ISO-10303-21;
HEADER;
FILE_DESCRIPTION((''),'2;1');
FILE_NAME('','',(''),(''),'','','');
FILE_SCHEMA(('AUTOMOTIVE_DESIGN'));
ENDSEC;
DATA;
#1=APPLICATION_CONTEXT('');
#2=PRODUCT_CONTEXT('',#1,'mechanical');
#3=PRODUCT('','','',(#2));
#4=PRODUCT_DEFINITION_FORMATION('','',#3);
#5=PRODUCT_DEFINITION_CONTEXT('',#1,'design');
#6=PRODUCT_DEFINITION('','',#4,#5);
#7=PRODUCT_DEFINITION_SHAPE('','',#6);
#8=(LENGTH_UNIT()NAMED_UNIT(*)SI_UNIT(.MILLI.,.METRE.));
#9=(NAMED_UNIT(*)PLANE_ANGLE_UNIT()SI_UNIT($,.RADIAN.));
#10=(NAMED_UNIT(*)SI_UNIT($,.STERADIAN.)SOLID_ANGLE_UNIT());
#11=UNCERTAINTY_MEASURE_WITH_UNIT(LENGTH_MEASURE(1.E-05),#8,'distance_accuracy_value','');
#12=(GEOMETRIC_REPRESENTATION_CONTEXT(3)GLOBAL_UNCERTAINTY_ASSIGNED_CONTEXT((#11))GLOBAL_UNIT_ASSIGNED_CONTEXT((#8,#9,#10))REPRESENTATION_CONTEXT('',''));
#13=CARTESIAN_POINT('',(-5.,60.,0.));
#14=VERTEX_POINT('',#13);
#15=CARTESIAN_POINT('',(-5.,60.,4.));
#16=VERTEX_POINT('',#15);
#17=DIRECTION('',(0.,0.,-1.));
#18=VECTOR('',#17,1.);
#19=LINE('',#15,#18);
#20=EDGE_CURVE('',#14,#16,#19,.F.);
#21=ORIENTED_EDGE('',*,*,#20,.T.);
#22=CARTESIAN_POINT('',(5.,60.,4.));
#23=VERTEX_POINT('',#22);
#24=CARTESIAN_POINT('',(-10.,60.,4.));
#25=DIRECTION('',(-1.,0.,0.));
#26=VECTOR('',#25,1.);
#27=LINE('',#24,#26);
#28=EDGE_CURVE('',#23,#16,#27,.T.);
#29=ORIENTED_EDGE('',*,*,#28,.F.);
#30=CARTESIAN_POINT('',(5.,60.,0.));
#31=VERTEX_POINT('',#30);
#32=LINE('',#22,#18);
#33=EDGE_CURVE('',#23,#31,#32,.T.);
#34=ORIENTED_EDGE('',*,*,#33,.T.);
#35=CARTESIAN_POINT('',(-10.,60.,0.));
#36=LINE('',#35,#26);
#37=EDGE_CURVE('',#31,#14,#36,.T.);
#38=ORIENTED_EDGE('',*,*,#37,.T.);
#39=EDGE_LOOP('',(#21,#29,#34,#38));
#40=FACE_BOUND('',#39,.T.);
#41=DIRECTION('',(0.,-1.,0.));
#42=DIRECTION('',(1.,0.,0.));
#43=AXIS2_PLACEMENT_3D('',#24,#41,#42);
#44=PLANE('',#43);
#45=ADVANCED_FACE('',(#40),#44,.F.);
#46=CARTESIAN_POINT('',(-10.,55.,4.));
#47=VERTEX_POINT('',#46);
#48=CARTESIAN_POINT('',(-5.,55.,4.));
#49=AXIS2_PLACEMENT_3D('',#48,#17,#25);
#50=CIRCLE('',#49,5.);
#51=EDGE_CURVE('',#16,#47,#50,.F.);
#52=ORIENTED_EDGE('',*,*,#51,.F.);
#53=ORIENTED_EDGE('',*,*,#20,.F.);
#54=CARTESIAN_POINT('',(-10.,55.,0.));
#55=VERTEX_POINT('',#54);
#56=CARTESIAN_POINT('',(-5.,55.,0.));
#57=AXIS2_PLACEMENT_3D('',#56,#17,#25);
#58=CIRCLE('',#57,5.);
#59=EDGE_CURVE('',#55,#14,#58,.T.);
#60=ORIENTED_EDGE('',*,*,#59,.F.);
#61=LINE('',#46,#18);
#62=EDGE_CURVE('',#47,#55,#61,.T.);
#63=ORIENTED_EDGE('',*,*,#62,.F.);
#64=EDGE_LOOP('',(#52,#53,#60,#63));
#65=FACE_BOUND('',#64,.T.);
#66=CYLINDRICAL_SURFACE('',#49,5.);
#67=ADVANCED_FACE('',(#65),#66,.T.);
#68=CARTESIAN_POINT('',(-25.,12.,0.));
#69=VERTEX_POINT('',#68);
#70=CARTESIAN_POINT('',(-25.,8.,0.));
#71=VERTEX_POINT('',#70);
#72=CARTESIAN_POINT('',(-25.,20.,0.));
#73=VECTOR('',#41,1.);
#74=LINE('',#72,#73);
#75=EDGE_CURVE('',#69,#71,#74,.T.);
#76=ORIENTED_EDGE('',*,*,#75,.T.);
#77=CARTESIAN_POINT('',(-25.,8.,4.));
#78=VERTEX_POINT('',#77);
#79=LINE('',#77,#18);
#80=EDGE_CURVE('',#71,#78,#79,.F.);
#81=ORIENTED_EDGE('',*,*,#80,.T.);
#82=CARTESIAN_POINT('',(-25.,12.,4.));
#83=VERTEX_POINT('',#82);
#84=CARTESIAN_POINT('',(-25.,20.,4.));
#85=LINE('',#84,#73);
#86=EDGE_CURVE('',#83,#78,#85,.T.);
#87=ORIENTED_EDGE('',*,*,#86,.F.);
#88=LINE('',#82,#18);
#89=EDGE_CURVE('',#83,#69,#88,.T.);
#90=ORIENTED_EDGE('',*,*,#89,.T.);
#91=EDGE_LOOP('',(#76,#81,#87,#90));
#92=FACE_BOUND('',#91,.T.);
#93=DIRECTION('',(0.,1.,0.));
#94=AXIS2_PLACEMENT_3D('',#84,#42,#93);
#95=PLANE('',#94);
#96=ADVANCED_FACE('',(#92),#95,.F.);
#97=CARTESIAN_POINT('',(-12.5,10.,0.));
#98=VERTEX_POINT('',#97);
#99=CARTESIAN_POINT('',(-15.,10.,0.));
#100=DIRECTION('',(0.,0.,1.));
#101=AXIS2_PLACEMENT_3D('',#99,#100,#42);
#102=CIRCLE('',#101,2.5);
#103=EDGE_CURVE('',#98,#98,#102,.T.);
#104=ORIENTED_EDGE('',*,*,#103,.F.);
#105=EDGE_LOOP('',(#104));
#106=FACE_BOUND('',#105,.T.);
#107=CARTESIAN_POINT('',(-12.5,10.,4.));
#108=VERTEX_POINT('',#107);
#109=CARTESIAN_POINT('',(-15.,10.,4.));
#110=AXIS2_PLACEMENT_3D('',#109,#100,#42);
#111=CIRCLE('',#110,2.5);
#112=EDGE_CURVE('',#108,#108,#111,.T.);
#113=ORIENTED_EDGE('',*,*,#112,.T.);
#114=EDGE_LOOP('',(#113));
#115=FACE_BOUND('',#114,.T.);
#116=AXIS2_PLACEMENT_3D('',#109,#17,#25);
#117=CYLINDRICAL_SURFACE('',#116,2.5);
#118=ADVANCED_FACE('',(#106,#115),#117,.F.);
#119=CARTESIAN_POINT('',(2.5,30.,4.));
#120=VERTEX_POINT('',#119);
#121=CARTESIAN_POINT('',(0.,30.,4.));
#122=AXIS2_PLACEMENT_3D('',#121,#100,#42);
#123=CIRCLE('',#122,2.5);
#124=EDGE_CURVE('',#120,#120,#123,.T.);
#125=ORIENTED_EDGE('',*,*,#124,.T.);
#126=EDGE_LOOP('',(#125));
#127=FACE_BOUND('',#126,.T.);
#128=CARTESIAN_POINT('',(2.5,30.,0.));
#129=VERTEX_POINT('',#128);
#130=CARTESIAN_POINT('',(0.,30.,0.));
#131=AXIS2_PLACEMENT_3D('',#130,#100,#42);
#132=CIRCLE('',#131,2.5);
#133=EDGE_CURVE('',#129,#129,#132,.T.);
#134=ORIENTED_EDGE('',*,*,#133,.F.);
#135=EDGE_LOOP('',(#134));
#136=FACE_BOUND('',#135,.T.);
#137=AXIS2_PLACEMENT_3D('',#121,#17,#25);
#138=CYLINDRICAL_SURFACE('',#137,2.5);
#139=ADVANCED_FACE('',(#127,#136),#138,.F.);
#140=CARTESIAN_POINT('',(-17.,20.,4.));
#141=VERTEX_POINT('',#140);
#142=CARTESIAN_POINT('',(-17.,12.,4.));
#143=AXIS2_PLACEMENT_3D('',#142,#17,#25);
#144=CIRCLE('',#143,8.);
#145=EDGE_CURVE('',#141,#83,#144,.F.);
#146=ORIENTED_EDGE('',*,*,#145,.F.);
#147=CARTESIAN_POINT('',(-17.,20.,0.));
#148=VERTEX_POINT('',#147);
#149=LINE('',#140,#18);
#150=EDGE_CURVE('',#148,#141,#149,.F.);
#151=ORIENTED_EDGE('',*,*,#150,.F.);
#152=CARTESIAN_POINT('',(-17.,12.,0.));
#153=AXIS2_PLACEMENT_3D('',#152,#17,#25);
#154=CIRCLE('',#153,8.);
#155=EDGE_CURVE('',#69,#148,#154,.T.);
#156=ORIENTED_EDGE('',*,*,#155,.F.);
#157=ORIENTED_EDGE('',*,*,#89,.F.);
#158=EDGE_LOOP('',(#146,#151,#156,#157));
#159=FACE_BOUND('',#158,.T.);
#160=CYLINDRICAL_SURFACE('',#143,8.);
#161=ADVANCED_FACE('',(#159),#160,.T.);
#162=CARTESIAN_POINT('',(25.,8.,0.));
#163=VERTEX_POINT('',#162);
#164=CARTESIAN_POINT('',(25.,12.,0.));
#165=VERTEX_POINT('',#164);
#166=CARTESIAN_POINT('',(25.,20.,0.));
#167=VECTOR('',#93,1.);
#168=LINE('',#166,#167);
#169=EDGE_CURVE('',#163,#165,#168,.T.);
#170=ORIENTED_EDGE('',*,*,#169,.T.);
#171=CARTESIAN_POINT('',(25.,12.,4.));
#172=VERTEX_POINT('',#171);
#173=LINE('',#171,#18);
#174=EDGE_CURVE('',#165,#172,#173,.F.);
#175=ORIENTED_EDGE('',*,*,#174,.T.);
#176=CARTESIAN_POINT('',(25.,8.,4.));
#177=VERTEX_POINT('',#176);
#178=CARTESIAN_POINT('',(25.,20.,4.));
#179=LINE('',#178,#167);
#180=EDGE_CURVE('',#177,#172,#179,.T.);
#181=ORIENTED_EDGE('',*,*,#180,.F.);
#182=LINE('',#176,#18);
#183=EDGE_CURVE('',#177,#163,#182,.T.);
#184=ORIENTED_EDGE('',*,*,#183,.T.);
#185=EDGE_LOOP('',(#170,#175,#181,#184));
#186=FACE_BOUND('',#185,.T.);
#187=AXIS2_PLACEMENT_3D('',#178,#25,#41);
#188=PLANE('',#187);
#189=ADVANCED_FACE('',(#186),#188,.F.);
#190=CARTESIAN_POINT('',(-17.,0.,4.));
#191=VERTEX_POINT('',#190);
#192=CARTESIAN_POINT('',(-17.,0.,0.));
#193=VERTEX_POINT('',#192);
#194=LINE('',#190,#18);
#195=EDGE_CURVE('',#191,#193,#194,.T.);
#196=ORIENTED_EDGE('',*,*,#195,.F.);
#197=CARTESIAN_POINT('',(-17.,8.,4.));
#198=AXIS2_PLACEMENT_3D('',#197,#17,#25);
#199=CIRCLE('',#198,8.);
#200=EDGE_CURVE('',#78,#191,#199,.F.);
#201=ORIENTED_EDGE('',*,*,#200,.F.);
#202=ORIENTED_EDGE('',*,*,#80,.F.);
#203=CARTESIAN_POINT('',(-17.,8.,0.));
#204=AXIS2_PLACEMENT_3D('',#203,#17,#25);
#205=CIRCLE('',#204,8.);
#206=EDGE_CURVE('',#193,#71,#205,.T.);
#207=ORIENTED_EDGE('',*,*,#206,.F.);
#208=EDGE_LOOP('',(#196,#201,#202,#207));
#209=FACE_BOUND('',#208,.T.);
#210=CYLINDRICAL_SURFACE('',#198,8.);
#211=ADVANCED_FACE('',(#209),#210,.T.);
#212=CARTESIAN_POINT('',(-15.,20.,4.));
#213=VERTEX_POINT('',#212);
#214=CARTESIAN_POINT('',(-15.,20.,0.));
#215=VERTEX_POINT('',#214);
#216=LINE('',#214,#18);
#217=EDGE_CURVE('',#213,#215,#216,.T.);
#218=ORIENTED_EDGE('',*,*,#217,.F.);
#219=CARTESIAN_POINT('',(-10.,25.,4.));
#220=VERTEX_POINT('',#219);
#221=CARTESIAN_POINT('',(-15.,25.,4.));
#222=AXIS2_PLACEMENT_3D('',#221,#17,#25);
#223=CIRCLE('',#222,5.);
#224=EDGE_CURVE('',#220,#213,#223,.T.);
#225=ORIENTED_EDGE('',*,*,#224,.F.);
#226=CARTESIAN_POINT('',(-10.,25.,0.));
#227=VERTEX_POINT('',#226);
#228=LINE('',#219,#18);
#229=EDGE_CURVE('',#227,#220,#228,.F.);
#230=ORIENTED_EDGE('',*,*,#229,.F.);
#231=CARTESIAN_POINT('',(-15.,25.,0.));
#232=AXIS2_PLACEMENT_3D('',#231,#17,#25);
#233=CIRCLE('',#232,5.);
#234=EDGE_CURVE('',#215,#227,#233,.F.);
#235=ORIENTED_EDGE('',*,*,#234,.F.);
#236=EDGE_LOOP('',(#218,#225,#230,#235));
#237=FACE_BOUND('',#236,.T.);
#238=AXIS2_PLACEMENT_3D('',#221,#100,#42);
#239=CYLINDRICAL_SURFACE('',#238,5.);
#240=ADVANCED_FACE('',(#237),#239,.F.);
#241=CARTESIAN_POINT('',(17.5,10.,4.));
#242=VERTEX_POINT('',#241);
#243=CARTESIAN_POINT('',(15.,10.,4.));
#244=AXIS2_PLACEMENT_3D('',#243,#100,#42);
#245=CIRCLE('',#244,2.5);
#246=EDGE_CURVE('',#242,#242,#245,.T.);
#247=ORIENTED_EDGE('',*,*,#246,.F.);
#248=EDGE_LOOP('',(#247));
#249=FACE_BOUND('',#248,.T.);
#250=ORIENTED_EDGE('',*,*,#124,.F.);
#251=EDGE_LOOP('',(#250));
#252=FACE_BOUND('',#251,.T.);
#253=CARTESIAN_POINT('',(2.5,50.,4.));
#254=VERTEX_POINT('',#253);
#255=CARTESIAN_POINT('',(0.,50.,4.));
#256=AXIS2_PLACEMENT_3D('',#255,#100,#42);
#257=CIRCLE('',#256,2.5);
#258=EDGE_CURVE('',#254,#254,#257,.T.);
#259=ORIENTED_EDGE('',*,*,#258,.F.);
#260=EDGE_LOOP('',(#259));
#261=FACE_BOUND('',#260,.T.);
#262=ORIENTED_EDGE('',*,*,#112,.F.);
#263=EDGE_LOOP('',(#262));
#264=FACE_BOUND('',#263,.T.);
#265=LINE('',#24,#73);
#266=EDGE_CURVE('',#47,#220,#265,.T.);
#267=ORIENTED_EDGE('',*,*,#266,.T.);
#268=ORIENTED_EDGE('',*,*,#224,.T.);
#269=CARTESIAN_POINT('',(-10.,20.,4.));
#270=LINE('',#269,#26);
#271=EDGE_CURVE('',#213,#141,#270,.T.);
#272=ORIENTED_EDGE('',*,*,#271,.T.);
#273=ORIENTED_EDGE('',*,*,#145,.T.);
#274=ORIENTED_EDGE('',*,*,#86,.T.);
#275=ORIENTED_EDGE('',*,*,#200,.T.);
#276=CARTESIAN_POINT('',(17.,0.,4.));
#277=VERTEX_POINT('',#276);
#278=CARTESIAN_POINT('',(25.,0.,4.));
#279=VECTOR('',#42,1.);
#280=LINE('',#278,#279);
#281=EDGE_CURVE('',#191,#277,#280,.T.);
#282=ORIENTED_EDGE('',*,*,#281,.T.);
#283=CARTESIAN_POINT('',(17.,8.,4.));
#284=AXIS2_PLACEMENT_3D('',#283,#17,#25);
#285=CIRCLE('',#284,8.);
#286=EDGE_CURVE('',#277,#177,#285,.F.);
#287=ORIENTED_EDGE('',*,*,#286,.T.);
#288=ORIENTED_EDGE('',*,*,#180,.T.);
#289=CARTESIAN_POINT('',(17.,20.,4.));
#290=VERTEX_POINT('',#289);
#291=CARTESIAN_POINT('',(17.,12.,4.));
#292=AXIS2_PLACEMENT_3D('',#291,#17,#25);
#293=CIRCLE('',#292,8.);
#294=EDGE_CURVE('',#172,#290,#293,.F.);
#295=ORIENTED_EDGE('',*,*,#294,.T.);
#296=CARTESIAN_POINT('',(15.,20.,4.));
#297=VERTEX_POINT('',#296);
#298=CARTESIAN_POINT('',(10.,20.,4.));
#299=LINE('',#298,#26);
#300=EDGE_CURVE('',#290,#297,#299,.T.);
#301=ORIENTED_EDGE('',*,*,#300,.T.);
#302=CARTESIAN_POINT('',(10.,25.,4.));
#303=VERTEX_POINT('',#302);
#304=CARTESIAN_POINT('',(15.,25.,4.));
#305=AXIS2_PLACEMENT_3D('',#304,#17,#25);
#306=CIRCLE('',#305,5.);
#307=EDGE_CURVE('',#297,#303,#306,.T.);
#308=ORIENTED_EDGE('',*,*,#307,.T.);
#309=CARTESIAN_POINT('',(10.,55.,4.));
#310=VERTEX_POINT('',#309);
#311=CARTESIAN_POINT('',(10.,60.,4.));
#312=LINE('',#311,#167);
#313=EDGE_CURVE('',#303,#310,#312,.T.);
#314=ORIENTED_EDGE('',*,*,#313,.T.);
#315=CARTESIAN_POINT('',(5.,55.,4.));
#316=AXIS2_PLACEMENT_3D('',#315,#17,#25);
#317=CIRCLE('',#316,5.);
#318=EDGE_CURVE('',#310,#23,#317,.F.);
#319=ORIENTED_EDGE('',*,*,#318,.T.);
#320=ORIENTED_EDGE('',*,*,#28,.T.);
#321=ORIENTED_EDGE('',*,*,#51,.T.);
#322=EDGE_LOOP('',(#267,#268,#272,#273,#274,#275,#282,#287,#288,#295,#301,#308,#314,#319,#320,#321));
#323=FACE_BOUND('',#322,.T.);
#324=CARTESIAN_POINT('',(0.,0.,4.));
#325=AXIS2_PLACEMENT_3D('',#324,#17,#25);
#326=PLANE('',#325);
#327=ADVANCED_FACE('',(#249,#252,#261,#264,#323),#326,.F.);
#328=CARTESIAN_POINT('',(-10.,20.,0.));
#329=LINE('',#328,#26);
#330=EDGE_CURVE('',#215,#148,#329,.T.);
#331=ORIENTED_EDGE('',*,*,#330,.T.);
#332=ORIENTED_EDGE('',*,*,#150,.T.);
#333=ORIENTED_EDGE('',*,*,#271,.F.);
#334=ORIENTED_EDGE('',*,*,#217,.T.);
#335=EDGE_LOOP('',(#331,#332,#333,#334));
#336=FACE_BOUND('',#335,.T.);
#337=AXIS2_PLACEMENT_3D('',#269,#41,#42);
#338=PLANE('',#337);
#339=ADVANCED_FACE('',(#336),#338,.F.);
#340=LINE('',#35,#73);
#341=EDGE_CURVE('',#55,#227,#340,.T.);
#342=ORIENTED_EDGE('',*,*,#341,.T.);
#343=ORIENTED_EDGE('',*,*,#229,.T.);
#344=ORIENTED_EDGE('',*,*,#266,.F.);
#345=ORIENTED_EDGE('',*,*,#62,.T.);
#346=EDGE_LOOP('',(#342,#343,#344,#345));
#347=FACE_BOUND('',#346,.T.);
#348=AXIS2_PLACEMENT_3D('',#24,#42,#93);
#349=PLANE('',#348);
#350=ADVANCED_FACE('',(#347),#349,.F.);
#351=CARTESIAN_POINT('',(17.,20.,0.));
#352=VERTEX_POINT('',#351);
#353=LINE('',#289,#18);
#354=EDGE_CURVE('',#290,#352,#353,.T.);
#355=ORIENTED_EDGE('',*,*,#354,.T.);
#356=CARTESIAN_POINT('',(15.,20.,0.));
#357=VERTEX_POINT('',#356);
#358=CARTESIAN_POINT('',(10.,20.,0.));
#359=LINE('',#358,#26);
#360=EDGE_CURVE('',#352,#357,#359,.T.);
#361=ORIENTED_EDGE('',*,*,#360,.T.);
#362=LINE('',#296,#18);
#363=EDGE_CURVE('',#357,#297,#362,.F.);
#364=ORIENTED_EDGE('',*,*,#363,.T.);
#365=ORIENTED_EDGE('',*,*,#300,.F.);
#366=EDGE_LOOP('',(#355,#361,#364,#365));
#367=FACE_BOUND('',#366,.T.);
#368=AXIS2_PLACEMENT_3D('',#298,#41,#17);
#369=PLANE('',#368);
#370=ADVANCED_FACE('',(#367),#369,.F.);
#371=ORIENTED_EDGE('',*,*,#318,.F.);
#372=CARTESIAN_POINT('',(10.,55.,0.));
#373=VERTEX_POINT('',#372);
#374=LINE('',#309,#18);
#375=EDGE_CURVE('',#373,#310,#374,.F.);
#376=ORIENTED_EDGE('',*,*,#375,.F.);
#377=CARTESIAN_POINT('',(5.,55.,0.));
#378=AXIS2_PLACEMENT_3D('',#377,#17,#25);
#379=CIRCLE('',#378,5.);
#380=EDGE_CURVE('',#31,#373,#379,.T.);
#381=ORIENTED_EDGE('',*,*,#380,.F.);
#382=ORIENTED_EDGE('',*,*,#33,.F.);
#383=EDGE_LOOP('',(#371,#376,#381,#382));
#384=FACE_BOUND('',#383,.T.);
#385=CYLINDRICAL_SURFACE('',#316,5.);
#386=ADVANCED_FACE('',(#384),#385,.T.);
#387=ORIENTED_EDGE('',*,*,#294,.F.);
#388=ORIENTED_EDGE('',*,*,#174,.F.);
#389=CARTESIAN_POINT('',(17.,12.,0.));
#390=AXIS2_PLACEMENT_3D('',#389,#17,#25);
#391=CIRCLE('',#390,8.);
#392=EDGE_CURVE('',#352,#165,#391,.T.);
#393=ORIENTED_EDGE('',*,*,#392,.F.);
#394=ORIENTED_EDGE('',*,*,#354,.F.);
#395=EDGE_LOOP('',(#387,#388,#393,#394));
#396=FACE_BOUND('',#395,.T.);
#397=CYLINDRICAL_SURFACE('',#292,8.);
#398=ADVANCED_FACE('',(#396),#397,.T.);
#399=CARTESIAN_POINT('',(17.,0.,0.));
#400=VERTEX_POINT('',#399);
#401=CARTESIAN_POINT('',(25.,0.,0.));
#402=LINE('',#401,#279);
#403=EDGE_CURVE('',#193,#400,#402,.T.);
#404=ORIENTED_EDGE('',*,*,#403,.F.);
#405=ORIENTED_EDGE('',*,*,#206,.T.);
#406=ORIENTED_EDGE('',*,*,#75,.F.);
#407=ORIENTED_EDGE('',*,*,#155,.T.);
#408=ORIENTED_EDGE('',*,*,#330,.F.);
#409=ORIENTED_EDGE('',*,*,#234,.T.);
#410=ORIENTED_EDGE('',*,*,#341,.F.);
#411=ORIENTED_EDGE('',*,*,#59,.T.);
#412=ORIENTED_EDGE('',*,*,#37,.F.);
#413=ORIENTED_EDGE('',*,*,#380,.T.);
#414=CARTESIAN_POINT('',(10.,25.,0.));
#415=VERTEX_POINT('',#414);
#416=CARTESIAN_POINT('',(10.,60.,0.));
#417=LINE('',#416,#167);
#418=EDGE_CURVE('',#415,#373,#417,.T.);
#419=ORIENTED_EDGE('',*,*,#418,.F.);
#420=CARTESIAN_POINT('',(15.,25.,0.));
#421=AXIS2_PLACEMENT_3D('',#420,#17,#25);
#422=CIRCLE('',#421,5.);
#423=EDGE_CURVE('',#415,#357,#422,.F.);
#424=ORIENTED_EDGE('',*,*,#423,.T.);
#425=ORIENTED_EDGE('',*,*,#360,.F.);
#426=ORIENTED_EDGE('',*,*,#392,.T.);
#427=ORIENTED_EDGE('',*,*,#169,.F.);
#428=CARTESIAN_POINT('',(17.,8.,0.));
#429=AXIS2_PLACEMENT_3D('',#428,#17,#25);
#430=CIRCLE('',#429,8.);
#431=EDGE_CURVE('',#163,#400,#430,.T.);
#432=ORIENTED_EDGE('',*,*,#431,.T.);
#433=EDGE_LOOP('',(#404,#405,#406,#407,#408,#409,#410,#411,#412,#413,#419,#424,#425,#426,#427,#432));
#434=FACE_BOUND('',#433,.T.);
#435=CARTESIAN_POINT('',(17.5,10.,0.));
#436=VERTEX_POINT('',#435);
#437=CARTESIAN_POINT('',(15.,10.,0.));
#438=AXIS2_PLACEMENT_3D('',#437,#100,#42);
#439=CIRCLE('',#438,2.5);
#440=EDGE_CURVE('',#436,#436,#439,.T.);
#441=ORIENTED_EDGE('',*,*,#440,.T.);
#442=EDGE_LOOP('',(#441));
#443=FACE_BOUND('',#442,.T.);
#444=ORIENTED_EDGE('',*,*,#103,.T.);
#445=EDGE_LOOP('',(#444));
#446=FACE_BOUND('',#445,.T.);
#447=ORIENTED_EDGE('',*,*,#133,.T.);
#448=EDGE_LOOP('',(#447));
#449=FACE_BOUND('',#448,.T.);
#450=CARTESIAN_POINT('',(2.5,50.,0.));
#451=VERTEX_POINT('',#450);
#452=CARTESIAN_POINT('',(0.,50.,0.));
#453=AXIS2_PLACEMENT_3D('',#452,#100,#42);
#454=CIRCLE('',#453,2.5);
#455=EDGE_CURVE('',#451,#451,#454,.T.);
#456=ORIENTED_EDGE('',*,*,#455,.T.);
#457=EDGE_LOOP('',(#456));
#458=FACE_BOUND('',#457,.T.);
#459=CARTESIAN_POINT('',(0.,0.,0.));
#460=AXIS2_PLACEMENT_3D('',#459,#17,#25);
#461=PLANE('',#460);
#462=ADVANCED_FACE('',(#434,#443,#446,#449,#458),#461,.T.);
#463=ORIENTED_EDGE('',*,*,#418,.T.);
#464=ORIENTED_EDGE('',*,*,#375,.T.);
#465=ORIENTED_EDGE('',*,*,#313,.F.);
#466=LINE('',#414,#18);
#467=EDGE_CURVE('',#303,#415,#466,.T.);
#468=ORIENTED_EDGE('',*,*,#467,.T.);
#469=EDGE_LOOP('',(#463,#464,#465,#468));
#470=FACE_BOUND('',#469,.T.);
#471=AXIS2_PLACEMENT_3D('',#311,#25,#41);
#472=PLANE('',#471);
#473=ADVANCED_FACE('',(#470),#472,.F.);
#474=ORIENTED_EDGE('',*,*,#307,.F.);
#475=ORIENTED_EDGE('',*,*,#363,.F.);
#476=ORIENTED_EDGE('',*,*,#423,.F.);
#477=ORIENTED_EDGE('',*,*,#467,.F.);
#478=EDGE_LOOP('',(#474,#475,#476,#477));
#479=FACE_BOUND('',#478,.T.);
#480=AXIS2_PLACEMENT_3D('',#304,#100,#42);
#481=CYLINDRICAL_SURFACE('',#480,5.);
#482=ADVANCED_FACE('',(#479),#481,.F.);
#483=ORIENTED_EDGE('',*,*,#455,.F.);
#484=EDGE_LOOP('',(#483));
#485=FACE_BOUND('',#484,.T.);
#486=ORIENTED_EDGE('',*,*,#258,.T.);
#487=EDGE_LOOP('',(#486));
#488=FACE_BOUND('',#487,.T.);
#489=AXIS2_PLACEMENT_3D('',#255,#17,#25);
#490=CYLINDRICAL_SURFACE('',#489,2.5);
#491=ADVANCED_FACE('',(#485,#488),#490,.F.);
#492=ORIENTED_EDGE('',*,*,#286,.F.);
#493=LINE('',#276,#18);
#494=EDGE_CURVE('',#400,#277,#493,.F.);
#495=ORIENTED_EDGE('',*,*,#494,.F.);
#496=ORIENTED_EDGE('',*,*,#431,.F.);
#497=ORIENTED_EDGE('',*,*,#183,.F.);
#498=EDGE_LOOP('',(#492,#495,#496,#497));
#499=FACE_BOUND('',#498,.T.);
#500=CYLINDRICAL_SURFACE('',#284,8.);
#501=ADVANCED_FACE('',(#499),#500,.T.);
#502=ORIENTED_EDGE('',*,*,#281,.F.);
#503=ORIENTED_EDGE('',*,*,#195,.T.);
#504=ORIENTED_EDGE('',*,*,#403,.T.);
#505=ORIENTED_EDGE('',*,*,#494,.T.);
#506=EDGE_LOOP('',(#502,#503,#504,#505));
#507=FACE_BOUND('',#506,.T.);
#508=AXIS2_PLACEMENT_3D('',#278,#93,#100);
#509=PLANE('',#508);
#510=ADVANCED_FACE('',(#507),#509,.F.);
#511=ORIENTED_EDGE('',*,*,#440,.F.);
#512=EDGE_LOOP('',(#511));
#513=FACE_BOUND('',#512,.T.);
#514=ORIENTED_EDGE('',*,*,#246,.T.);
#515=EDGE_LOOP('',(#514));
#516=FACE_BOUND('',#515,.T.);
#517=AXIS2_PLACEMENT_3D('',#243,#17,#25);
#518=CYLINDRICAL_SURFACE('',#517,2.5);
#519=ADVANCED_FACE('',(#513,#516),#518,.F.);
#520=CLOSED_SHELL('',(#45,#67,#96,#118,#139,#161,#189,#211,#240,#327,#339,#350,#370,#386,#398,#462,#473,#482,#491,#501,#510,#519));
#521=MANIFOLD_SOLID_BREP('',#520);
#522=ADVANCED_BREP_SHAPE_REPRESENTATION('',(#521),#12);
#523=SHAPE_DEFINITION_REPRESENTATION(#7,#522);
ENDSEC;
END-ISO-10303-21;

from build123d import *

# Parameters (mm, degrees)
SKETCH1_R           = 2.5
BOSS_EXTRUDE1_DEPTH = 4
FILLET1_R           = 5
FILLET2_R           = 8


with BuildPart() as part:
    # Sketch1 → Boss-Extrude1 (new body)
    with BuildSketch(Plane.XY):
        Polygon((-10, 60), (10, 60), (10, 20), (25, 20), (25, 0), (-25, 0), (-25, 20), (-10, 20), align=None)
        with Locations((0, 50)):
            Circle(SKETCH1_R, mode=Mode.SUBTRACT)
        with Locations((0, 30)):
            Circle(SKETCH1_R, mode=Mode.SUBTRACT)
        with Locations((15, 10)):
            Circle(SKETCH1_R, mode=Mode.SUBTRACT)
        with Locations((-15, 10)):
            Circle(SKETCH1_R, mode=Mode.SUBTRACT)
    extrude(amount=BOSS_EXTRUDE1_DEPTH)

    # Fillet1
    fillet1_edges = [part.edges().sort_by_distance(p)[0] for p in [
        (-10, 20, 2),
        (-10, 60, 2),
        (10, 60, 2),
        (10, 20, 2),
    ]]
    fillet(fillet1_edges, radius=FILLET1_R)

    # Fillet2
    fillet2_edges = [part.edges().sort_by_distance(p)[0] for p in [
        (25, 0, 2),
        (-25, 0, 2),
        (-25, 20, 2),
        (25, 20, 2),
    ]]
    fillet(fillet2_edges, radius=FILLET2_R)


solid = part.part
